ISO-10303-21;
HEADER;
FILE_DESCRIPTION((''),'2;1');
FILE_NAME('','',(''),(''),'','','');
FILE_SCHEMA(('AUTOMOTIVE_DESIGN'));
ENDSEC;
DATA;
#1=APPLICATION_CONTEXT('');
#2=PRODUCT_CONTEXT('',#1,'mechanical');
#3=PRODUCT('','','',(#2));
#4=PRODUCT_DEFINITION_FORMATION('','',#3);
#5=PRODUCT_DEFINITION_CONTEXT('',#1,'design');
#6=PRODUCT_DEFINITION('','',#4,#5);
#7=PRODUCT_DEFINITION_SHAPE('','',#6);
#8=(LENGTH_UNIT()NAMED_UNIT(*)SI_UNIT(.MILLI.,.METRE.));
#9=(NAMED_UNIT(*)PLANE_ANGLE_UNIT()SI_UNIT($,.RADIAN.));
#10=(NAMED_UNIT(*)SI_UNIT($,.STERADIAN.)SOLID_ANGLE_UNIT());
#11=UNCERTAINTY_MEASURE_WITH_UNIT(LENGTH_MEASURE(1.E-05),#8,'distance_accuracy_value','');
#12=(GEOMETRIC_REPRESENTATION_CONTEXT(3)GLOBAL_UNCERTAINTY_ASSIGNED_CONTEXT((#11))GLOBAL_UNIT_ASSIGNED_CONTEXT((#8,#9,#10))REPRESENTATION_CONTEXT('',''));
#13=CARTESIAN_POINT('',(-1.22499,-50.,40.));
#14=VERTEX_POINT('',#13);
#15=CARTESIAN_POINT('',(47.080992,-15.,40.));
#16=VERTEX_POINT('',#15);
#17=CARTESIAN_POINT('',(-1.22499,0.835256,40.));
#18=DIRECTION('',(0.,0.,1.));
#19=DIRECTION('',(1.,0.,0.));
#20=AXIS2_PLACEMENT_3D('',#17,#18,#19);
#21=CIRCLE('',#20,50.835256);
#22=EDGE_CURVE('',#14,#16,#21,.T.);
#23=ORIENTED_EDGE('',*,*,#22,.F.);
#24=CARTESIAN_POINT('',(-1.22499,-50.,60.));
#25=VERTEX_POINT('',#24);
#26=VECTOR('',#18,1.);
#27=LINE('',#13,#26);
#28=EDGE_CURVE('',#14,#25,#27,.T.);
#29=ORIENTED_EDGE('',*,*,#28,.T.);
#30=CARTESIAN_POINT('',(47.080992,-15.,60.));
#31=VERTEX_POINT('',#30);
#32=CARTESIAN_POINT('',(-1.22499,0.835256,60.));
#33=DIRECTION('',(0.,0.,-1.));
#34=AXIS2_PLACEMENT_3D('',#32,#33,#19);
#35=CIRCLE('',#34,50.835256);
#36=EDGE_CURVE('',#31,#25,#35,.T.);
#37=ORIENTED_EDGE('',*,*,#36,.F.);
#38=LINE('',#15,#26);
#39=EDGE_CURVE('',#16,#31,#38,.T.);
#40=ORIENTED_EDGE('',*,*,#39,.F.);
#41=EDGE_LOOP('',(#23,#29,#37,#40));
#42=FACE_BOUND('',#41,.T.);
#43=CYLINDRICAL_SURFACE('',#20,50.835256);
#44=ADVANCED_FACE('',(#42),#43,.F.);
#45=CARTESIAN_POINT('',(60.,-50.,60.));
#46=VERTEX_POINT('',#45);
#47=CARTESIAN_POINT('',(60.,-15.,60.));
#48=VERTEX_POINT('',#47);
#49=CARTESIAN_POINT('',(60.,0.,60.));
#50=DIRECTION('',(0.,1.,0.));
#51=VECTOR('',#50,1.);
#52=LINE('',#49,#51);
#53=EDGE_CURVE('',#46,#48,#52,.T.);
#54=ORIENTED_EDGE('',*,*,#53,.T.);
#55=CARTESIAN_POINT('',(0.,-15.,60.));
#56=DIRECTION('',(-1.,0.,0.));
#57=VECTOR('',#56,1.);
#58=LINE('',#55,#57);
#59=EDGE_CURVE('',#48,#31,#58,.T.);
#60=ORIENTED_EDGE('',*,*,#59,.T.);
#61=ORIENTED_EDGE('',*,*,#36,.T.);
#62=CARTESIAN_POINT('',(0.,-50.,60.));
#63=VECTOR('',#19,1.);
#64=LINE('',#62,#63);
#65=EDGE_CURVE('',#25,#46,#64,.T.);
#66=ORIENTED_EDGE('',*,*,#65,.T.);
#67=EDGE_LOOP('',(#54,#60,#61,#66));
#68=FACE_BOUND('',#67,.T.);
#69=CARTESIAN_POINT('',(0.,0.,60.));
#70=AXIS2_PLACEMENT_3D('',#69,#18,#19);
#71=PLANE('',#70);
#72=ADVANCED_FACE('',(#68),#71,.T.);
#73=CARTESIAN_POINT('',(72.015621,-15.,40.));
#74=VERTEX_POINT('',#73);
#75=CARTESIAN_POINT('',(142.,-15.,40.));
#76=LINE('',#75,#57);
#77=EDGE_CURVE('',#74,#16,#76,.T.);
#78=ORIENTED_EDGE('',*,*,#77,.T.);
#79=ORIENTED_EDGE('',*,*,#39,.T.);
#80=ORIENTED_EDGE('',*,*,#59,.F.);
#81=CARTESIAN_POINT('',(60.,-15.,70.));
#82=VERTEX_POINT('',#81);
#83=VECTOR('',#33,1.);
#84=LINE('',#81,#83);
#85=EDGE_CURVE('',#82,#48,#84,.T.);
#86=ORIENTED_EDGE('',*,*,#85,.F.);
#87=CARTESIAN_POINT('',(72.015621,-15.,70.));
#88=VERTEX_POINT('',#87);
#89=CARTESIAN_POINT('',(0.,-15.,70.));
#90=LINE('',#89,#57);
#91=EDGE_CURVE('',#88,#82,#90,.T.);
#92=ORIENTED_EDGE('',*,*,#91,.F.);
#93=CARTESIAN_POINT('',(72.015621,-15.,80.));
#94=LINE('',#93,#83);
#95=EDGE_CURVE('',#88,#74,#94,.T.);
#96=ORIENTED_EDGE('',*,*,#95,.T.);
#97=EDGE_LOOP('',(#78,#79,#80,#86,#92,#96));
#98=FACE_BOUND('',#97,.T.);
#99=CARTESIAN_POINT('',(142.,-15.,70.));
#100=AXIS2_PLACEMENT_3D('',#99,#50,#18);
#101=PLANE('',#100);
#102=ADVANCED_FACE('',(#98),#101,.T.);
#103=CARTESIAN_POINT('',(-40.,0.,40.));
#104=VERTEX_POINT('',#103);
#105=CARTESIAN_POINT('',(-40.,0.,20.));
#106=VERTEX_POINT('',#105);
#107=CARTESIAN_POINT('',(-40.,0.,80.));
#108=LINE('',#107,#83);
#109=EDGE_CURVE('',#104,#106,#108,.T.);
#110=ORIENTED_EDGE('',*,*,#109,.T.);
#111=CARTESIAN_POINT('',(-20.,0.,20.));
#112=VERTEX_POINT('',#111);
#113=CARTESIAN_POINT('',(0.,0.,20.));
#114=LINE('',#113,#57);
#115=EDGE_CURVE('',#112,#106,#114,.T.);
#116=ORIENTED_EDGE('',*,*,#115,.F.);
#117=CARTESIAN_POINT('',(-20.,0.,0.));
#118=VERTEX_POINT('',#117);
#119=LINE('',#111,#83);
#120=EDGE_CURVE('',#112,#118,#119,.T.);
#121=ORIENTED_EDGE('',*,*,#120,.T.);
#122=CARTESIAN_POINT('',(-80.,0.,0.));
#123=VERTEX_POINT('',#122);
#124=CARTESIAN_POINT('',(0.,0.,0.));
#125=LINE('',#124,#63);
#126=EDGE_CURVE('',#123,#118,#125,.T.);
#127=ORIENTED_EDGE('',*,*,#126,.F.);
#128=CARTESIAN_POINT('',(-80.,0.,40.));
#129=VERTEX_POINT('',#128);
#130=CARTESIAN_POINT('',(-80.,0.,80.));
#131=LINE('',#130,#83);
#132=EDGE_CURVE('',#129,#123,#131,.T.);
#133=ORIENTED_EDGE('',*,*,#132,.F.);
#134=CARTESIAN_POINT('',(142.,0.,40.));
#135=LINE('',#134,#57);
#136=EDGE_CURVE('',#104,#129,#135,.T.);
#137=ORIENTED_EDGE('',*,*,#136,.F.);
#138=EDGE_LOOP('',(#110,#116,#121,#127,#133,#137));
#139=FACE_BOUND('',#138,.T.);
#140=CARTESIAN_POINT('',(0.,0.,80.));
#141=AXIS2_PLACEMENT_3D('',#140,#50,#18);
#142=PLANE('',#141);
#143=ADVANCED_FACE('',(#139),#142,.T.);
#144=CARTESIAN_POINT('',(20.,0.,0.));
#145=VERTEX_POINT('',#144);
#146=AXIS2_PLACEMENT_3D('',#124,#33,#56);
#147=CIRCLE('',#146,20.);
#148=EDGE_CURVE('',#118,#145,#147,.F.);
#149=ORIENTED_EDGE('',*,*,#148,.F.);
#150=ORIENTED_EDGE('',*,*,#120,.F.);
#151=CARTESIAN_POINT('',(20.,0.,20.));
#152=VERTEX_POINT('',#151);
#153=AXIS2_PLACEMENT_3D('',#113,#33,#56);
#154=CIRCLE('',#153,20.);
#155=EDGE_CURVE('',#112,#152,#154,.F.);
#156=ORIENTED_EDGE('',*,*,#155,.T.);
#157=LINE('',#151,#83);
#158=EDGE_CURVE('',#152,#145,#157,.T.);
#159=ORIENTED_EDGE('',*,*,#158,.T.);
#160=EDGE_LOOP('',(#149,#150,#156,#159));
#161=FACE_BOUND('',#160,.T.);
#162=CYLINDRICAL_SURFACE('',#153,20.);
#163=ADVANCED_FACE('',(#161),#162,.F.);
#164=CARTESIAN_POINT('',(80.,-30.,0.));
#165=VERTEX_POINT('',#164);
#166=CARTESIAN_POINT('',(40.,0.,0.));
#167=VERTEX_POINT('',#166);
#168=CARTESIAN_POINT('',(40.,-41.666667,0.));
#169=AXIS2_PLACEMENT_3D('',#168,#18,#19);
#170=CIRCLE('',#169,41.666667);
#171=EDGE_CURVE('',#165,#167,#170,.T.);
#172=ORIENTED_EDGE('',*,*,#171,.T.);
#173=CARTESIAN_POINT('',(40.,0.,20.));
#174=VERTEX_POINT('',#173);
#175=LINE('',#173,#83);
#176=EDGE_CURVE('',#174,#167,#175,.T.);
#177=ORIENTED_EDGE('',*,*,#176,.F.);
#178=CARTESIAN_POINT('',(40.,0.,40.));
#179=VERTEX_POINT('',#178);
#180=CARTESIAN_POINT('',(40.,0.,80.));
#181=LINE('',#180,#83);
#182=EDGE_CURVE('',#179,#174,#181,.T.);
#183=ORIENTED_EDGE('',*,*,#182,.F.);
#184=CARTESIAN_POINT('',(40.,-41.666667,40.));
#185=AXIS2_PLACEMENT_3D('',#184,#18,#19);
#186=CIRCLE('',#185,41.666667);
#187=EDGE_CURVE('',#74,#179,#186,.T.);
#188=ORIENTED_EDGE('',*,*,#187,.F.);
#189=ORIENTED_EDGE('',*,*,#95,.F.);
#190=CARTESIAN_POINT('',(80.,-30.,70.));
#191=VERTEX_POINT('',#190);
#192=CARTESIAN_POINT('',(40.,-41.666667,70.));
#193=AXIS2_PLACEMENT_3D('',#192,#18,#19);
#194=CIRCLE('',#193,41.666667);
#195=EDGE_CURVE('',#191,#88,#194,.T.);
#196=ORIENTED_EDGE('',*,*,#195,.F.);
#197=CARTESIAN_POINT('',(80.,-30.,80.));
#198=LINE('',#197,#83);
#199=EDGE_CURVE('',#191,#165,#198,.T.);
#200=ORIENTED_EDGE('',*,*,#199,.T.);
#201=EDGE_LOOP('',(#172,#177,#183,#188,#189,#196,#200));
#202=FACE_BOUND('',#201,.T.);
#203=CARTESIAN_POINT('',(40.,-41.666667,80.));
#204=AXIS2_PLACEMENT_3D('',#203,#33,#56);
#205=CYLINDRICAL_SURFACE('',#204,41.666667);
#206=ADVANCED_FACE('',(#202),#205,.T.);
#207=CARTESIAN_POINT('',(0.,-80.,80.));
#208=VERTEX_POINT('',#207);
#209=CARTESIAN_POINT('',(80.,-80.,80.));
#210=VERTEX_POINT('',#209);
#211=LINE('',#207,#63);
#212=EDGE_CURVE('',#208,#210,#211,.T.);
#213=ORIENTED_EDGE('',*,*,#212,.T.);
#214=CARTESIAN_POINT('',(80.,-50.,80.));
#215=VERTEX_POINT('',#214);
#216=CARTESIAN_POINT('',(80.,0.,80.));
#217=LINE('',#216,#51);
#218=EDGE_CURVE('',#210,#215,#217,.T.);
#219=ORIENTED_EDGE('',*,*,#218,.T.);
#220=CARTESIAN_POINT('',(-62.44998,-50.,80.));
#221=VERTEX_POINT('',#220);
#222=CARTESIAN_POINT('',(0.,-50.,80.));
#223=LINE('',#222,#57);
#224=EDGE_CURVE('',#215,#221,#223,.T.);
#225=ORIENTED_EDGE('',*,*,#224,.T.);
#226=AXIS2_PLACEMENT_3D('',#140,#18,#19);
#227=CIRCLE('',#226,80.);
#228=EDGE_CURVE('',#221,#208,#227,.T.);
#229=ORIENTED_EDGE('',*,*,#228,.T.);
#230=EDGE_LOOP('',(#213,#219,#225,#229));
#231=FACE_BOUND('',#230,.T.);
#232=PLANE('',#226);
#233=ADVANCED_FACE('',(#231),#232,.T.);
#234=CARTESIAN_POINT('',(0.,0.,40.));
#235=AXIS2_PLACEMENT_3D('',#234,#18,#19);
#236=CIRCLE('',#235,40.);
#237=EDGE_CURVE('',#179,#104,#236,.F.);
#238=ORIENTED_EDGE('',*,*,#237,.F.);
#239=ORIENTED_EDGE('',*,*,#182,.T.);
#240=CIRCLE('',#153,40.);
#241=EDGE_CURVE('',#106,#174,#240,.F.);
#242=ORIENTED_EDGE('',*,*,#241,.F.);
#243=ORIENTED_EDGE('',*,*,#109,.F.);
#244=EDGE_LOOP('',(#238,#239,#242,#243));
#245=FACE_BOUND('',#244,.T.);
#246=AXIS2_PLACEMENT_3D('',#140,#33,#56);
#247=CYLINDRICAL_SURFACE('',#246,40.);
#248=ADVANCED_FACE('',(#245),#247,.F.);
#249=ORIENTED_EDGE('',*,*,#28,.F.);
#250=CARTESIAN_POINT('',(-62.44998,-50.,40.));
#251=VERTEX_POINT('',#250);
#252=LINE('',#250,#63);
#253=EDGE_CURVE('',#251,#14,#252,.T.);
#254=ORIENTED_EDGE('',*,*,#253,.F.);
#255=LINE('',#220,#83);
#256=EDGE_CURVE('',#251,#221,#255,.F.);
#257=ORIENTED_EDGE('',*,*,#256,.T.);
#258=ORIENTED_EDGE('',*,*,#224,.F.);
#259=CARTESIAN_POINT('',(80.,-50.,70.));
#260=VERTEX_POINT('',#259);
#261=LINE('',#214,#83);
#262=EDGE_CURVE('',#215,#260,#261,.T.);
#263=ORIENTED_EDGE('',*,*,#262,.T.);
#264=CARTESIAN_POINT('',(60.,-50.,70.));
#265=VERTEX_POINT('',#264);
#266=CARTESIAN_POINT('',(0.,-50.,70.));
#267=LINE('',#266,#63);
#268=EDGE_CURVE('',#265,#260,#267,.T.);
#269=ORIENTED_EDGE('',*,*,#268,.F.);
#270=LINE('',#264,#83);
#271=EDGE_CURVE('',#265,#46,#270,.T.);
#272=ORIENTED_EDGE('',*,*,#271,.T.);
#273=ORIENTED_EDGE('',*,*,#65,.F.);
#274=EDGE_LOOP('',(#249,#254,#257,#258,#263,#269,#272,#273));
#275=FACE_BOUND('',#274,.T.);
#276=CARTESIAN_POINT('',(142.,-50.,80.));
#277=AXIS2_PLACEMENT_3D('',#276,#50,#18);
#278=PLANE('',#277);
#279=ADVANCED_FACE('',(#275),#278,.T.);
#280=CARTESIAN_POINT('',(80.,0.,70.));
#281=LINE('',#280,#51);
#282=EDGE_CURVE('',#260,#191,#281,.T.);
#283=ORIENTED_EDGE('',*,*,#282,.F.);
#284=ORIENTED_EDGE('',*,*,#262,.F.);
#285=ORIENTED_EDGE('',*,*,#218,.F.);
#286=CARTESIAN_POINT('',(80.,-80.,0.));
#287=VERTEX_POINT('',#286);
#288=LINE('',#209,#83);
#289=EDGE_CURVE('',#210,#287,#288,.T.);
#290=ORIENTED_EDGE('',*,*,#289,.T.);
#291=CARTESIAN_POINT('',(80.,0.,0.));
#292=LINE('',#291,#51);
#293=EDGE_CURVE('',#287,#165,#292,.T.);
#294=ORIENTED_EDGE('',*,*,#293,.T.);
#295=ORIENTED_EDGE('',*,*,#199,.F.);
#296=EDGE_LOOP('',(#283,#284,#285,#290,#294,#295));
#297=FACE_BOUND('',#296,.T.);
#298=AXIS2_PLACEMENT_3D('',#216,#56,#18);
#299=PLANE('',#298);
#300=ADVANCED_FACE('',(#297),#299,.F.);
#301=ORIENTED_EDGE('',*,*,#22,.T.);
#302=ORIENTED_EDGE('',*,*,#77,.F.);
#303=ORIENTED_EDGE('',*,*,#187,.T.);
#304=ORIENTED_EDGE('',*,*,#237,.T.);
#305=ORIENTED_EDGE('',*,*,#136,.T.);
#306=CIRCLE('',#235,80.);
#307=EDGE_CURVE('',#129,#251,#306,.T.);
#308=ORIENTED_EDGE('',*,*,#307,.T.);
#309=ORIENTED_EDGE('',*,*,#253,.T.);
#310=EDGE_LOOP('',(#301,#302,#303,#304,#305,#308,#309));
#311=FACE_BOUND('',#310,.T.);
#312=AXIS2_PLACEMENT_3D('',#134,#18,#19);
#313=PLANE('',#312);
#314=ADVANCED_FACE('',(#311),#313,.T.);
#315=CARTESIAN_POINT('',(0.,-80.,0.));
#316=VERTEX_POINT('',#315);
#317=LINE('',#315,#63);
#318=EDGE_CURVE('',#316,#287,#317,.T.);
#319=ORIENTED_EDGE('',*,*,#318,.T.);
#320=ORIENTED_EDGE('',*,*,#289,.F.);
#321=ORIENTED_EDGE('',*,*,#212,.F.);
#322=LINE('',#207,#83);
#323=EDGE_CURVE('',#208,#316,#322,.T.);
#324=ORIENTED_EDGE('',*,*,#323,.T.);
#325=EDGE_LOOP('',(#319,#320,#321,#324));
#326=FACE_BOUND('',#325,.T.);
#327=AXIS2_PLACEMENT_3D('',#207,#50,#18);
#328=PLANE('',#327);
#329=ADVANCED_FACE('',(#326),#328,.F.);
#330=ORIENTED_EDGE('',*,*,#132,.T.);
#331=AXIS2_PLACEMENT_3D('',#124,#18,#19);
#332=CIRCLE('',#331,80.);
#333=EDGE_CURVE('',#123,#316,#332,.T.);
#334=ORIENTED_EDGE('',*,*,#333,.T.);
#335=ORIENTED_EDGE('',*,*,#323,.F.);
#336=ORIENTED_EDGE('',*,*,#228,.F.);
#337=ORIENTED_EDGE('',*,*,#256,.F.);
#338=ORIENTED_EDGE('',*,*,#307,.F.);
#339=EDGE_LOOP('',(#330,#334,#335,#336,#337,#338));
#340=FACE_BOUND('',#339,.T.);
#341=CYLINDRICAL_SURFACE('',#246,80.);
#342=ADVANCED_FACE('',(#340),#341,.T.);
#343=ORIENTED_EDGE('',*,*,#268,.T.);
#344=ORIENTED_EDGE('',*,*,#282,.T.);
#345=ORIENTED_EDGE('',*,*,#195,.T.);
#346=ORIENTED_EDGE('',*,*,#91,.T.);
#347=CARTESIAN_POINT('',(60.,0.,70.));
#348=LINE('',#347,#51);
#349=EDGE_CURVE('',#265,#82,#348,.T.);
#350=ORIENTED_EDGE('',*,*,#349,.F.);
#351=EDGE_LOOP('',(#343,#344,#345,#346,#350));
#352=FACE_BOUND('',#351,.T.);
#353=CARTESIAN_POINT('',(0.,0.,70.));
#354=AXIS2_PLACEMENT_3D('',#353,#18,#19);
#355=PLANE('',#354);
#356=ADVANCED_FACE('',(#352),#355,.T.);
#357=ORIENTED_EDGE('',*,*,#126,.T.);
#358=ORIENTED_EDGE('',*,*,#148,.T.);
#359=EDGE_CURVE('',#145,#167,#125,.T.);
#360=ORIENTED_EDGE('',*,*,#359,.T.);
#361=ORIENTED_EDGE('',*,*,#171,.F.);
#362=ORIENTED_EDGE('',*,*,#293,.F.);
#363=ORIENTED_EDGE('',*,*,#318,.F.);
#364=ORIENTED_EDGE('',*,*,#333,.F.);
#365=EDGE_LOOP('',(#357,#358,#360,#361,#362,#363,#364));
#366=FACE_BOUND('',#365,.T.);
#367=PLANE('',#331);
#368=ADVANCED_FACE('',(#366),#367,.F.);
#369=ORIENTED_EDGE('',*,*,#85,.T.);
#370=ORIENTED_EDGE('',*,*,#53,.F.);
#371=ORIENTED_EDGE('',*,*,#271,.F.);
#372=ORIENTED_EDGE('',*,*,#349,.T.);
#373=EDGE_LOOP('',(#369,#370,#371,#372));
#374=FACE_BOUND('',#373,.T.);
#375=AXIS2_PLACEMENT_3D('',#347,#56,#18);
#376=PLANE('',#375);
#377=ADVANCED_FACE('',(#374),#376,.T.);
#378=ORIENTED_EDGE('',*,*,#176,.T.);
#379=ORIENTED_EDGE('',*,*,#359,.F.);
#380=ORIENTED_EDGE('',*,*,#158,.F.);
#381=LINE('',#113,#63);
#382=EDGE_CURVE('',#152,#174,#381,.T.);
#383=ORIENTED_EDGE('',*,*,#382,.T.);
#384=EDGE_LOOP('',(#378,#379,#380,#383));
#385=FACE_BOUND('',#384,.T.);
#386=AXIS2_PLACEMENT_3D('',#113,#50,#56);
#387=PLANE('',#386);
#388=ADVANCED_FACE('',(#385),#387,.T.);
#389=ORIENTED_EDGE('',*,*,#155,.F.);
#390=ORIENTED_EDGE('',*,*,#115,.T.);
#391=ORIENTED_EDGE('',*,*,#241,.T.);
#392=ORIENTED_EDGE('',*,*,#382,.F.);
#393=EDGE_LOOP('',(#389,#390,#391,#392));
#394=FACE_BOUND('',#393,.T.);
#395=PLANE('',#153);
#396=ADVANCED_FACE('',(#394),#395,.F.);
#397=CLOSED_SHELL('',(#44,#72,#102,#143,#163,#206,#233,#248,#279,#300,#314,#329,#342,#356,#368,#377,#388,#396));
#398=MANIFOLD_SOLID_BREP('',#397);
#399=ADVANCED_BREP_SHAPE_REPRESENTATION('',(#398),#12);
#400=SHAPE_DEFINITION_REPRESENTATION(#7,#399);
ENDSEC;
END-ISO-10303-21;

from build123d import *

# Parameters (mm, degrees)
BOSS_EXTRUDE5_DEPTH = 80
BOSS_EXTRUDE6_DEPTH = 20
SKETCH6_W           = 10
SKETCH6_H           = 50
CUT_EXTRUDE5_DEPTH  = 222
SKETCH7_W           = 30
SKETCH7_H           = 15
CUT_EXTRUDE6_DEPTH  = 222
CUT_EXTRUDE7_DEPTH  = 10
CUT_EXTRUDE8_DEPTH  = 10
BOSS_EXTRUDE9_DEPTH = 10
CUT_EXTRUDE14_DEPTH = 30


with BuildPart() as part:
    # Sketch1 → Boss-Extrude5 (new body)
    with BuildSketch(Plane.XY):
        with BuildLine():
            Line((80, -80), (80, -30))
            ThreePointArc((80, -30), (65, -8.333333333), (40, 0))
            ThreePointArc((40, 0), (0, -40), (-40, 0))
            Line((-40, 0), (-80, 0))
            ThreePointArc((-80, 0), (-56.568542495, -56.568542495), (0, -80))
            Line((0, -80), (80, -80))
        make_face()
    extrude(amount=BOSS_EXTRUDE5_DEPTH)

    # Sketch4 → Boss-Extrude6 (add)
    with BuildSketch(Plane(origin=(0, 0, 0), x_dir=(-1, 0, 0), z_dir=(0, 0, -1))):
        with BuildLine():
            Line((20, 0), (40, 0))
            ThreePointArc((40, 0), (0, -40), (-40, 0))
            Line((-40, 0), (-20, 0))
            ThreePointArc((-20, 0), (0, -20), (20, 0))
        make_face()
    extrude(amount=-BOSS_EXTRUDE6_DEPTH)

    # Sketch6 → Cut-Extrude5 (cut)
    with BuildSketch(Plane(origin=(-80, 0, 0), x_dir=(0, 0, -1), z_dir=(1, 0, 0))):
        with Locations((-75, -25)):
            Rectangle(SKETCH6_W, SKETCH6_H)
    extrude(amount=CUT_EXTRUDE5_DEPTH, mode=Mode.SUBTRACT)

    # Sketch7 → Cut-Extrude6 (cut)
    with BuildSketch(Plane(origin=(-80, 0, 0), x_dir=(0, 0, -1), z_dir=(1, 0, 0))):
        with Locations((-55, -7.5)):
            Rectangle(SKETCH7_W, SKETCH7_H)
    extrude(amount=CUT_EXTRUDE6_DEPTH, mode=Mode.SUBTRACT)

    # Sketch9 → Cut-Extrude7 (cut)
    with BuildSketch(Plane.XY.offset(70)):
        with BuildLine():
            Line((72.015621187, -15), (60, -15))
            Line((60, -15), (60, -50))
            Line((60, -50), (80, -50))
            Line((80, -50), (80, -30))
            ThreePointArc((80, -30), (76.780598469, -22.088651257), (72.015621187, -15))
        make_face()
    extrude(amount=-CUT_EXTRUDE7_DEPTH, mode=Mode.SUBTRACT)

    # Sketch10 → Cut-Extrude8 (cut)
    with BuildSketch(Plane.XY.offset(70)):
        with BuildLine():
            Line((60, -50), (60, -15))
            Line((60, -15), (47.080992435, -15))
            ThreePointArc((47.080992435, -15), (28.601457744, -40.330339745), (-1.224989992, -50))
            Line((-1.224989992, -50), (60, -50))
        make_face()
    extrude(amount=-CUT_EXTRUDE8_DEPTH, mode=Mode.SUBTRACT)

    # Sketch11 → Boss-Extrude9 (add)
    with BuildSketch(Plane.XY.offset(60)):
        with BuildLine():
            Line((60, -50), (80, -50))
            Line((80, -50), (80, -30))
            ThreePointArc((80, -30), (76.780598469, -22.088651257), (72.015621187, -15))
            Line((72.015621187, -15), (70, -15))
            Line((70, -15), (60, -15))
            Line((60, -15), (60, -50))
        make_face()
    extrude(amount=BOSS_EXTRUDE9_DEPTH)

    # Sketch15 → Cut-Extrude14 (cut)
    with BuildSketch(Plane.XY.offset(70)):
        with BuildLine():
            Line((47.080992435, -15), (37.080992435, -15))
            ThreePointArc((37.080992435, -15), (0, -40), (-37.080992435, -15))
            Line((-37.080992435, -15), (-78.581168228, -15))
            ThreePointArc((-78.581168228, -15), (-72.654636407, -33.485874761), (-62.449979984, -50))
            Line((-62.449979984, -50), (-1.224989992, -50))
            ThreePointArc((-1.224989992, -50), (28.601457744, -40.330339745), (47.080992435, -15))
        make_face()
    extrude(amount=-CUT_EXTRUDE14_DEPTH, mode=Mode.SUBTRACT)


solid = part.part
